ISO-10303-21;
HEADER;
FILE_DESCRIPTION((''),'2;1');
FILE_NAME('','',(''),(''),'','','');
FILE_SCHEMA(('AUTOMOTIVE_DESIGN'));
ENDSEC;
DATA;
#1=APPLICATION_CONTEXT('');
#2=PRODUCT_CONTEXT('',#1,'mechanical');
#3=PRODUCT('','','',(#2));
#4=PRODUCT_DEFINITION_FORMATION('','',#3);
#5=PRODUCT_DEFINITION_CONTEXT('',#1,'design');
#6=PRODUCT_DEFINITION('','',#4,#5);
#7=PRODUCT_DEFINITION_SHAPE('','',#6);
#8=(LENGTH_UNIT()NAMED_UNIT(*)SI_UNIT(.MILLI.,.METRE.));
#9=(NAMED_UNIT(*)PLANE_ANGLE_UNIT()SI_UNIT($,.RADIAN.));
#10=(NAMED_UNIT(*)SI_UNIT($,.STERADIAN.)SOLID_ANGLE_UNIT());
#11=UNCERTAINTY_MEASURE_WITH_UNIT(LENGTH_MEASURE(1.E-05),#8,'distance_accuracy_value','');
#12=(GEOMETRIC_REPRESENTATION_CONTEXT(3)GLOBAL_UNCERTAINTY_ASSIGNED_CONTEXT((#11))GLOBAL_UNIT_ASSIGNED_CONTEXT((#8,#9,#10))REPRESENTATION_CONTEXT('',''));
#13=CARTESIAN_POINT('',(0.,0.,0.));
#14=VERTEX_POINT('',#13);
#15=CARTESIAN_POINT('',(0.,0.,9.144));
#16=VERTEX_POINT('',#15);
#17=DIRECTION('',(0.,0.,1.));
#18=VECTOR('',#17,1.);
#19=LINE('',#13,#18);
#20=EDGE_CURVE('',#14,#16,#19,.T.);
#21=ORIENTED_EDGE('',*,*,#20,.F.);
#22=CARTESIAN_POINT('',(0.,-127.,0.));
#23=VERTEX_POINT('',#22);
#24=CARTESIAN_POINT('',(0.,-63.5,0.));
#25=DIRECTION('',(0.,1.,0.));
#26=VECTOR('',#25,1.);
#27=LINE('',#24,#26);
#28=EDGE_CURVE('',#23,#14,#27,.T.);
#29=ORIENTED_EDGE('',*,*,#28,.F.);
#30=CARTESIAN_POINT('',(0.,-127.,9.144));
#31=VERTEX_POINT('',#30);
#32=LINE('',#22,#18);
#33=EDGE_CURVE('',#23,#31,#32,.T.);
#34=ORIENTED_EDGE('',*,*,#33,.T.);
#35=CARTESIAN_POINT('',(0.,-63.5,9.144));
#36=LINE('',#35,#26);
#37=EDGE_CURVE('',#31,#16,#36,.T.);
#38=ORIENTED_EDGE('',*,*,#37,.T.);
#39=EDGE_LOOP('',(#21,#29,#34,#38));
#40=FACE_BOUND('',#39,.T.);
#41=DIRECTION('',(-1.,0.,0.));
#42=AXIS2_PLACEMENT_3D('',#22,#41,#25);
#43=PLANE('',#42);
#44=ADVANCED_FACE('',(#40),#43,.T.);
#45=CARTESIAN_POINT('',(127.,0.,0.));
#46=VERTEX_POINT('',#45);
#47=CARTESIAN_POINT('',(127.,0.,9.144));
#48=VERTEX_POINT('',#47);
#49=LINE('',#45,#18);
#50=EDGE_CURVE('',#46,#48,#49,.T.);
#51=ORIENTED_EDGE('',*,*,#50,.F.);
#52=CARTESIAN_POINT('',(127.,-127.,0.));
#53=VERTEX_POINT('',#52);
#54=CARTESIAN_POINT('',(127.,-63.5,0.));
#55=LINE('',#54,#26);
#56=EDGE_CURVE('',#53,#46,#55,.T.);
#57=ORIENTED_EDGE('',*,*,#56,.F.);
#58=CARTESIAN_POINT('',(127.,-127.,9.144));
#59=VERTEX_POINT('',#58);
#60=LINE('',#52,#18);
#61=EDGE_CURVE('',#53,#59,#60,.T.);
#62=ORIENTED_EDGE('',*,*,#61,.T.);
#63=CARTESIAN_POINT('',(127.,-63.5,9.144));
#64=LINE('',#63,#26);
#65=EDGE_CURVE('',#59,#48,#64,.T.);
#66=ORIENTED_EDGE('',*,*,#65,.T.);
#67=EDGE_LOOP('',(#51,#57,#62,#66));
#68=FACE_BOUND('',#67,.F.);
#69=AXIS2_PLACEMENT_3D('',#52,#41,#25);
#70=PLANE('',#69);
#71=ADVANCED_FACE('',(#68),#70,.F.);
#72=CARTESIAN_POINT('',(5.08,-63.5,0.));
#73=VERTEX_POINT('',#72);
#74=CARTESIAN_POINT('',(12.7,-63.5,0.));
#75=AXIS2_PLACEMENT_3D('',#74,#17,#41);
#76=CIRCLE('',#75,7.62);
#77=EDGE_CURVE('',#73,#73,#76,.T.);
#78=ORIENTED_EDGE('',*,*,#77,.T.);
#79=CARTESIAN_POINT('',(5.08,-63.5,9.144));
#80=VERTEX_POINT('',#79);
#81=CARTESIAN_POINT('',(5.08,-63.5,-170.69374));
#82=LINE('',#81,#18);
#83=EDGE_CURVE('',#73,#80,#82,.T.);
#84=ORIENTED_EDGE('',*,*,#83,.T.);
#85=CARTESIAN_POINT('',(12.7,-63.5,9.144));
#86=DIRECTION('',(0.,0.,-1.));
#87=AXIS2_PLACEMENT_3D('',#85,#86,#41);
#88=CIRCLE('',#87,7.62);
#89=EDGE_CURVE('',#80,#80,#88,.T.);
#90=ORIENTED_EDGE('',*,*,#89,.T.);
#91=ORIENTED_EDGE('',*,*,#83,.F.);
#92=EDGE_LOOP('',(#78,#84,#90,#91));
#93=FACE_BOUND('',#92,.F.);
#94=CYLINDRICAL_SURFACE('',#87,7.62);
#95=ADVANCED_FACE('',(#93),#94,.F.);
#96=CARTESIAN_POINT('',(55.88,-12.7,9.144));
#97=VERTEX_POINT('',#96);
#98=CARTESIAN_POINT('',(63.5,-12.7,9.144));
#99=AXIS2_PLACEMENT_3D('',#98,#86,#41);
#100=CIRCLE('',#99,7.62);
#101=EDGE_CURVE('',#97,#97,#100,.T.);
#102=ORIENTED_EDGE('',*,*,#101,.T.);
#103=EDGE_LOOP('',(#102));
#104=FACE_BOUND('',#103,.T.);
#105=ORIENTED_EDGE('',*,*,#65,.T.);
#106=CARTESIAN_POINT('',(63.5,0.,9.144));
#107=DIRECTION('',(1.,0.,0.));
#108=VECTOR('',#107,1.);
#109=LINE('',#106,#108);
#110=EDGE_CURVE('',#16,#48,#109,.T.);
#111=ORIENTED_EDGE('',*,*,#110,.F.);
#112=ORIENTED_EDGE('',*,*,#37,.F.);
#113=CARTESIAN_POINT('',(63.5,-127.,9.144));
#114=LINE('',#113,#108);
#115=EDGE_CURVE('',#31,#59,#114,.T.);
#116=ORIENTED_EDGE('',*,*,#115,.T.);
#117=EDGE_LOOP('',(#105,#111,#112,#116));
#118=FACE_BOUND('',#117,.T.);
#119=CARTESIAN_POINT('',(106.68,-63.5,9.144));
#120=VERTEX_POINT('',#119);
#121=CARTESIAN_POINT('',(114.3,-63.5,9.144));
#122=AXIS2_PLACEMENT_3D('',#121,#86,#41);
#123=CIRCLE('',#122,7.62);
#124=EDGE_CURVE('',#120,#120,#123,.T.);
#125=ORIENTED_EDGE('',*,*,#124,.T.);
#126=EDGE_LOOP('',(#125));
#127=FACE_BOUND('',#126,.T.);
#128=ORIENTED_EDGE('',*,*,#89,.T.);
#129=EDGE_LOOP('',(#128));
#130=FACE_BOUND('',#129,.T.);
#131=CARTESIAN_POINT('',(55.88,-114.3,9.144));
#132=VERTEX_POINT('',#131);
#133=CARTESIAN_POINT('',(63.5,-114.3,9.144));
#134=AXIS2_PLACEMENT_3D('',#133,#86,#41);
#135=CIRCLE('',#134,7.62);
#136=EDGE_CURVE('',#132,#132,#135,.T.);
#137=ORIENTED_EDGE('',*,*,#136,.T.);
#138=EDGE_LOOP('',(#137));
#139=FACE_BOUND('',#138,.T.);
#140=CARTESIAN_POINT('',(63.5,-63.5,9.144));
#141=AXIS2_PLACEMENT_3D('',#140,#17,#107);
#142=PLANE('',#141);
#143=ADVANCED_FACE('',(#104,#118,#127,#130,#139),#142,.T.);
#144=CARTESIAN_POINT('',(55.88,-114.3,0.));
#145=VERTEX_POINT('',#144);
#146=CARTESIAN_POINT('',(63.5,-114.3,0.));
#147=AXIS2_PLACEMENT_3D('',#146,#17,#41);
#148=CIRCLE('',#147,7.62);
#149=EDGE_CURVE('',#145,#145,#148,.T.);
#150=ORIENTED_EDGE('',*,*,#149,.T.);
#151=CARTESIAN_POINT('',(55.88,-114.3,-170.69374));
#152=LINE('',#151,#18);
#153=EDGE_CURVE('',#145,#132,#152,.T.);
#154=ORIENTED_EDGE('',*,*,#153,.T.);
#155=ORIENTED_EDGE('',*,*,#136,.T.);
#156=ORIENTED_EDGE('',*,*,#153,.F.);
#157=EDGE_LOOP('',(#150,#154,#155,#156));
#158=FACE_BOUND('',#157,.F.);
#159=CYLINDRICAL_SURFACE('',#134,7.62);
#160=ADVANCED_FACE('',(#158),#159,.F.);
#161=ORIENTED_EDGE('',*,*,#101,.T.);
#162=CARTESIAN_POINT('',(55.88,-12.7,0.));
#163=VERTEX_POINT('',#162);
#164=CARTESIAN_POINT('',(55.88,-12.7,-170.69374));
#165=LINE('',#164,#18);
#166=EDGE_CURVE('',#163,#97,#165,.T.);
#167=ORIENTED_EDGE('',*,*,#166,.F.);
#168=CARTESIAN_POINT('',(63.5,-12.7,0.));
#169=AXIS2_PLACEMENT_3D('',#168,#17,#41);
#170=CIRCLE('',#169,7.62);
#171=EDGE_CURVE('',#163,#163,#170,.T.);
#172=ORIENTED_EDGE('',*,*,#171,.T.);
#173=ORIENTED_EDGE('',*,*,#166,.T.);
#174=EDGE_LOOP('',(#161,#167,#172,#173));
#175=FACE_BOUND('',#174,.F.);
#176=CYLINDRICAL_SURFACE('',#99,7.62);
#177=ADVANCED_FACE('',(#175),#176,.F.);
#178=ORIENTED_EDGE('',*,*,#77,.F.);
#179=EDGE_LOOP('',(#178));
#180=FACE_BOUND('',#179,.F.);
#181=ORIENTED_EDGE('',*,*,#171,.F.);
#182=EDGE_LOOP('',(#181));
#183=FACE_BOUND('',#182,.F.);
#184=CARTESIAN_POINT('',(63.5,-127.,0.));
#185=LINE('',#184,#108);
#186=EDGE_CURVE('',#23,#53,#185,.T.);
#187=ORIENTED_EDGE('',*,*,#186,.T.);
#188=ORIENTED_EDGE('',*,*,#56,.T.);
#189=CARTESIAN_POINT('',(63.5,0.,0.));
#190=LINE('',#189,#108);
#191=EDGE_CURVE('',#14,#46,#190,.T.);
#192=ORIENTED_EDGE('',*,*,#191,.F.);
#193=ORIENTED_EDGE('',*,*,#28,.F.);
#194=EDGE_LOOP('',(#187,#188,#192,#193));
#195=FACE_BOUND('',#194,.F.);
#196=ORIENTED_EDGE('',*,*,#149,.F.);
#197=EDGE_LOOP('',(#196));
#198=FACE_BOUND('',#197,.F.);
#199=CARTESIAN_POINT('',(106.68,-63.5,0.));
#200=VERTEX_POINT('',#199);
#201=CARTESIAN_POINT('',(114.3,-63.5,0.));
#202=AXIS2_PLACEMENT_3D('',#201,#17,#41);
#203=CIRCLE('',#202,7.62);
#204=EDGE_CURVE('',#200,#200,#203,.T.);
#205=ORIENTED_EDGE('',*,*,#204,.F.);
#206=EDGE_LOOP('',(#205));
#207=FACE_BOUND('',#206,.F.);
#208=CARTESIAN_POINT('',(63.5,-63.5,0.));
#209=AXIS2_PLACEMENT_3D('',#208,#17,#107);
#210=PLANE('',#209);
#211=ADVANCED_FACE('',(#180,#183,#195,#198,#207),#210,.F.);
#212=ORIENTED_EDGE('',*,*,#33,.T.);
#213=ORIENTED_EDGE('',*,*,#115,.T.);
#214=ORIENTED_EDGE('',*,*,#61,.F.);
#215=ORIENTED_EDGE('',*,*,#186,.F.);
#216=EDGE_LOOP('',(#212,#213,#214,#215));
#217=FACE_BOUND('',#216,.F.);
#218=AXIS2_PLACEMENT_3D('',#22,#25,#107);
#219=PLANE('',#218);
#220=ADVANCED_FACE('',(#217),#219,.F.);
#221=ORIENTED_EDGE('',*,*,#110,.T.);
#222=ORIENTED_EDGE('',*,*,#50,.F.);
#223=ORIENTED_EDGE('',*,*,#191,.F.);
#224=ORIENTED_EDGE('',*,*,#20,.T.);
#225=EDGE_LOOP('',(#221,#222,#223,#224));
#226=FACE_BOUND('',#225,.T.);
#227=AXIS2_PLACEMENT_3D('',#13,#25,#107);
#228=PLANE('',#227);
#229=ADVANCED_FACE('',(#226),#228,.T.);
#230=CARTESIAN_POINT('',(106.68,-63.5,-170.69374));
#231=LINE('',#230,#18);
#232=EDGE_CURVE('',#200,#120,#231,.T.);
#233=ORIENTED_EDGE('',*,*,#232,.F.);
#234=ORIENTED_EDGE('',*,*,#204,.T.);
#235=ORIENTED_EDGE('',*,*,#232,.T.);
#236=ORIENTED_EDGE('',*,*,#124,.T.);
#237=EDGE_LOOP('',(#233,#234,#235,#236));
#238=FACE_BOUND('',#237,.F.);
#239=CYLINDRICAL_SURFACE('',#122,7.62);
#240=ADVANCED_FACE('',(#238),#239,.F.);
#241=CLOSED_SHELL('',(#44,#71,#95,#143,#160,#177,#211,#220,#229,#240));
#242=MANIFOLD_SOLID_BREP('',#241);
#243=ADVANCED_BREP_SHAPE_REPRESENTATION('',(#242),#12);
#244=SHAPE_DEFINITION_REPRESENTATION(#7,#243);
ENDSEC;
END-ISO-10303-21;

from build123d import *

# Parameters (mm, degrees)
F0_W           = 127
F0_H           = 127
F1_DEPTH       = 9.144
F3_D           = 15.24
F3_CBORE_D     = 15.24
F3_CBORE_DEPTH = 50.8
F4_D           = 15.24
F4_CBORE_D     = 15.24
F4_CBORE_DEPTH = 50.8
F5_D           = 15.24
F5_CBORE_D     = 15.24
F5_CBORE_DEPTH = 50.8
F6_D           = 15.24
F6_CBORE_D     = 15.24
F6_CBORE_DEPTH = 50.8


with BuildPart() as f1:
    # F0 (on Top) → F1 (new body)
    with BuildSketch(Plane.XY):
        with Locations((63.5, -63.5)):
            Rectangle(F0_W, F0_H)
    extrude(amount=F1_DEPTH)

    # F3 (through all)
    with Locations(Plane.XY.offset(9.144)):
        with Locations((63.5, -12.7)):
            CounterBoreHole(F3_D / 2, F3_CBORE_D / 2, F3_CBORE_DEPTH)

    # F4 (through all)
    with Locations(Plane.XY.offset(9.144)):
        with Locations((12.7, -63.5)):
            CounterBoreHole(F4_D / 2, F4_CBORE_D / 2, F4_CBORE_DEPTH)

    # F5 (through all)
    with Locations(Plane.XY.offset(9.144)):
        with Locations((63.5, -114.3)):
            CounterBoreHole(F5_D / 2, F5_CBORE_D / 2, F5_CBORE_DEPTH)

    # F6 (through all)
    with Locations(Plane.XY.offset(9.144)):
        with Locations((114.3, -63.5)):
            CounterBoreHole(F6_D / 2, F6_CBORE_D / 2, F6_CBORE_DEPTH)


solid = f1.part
